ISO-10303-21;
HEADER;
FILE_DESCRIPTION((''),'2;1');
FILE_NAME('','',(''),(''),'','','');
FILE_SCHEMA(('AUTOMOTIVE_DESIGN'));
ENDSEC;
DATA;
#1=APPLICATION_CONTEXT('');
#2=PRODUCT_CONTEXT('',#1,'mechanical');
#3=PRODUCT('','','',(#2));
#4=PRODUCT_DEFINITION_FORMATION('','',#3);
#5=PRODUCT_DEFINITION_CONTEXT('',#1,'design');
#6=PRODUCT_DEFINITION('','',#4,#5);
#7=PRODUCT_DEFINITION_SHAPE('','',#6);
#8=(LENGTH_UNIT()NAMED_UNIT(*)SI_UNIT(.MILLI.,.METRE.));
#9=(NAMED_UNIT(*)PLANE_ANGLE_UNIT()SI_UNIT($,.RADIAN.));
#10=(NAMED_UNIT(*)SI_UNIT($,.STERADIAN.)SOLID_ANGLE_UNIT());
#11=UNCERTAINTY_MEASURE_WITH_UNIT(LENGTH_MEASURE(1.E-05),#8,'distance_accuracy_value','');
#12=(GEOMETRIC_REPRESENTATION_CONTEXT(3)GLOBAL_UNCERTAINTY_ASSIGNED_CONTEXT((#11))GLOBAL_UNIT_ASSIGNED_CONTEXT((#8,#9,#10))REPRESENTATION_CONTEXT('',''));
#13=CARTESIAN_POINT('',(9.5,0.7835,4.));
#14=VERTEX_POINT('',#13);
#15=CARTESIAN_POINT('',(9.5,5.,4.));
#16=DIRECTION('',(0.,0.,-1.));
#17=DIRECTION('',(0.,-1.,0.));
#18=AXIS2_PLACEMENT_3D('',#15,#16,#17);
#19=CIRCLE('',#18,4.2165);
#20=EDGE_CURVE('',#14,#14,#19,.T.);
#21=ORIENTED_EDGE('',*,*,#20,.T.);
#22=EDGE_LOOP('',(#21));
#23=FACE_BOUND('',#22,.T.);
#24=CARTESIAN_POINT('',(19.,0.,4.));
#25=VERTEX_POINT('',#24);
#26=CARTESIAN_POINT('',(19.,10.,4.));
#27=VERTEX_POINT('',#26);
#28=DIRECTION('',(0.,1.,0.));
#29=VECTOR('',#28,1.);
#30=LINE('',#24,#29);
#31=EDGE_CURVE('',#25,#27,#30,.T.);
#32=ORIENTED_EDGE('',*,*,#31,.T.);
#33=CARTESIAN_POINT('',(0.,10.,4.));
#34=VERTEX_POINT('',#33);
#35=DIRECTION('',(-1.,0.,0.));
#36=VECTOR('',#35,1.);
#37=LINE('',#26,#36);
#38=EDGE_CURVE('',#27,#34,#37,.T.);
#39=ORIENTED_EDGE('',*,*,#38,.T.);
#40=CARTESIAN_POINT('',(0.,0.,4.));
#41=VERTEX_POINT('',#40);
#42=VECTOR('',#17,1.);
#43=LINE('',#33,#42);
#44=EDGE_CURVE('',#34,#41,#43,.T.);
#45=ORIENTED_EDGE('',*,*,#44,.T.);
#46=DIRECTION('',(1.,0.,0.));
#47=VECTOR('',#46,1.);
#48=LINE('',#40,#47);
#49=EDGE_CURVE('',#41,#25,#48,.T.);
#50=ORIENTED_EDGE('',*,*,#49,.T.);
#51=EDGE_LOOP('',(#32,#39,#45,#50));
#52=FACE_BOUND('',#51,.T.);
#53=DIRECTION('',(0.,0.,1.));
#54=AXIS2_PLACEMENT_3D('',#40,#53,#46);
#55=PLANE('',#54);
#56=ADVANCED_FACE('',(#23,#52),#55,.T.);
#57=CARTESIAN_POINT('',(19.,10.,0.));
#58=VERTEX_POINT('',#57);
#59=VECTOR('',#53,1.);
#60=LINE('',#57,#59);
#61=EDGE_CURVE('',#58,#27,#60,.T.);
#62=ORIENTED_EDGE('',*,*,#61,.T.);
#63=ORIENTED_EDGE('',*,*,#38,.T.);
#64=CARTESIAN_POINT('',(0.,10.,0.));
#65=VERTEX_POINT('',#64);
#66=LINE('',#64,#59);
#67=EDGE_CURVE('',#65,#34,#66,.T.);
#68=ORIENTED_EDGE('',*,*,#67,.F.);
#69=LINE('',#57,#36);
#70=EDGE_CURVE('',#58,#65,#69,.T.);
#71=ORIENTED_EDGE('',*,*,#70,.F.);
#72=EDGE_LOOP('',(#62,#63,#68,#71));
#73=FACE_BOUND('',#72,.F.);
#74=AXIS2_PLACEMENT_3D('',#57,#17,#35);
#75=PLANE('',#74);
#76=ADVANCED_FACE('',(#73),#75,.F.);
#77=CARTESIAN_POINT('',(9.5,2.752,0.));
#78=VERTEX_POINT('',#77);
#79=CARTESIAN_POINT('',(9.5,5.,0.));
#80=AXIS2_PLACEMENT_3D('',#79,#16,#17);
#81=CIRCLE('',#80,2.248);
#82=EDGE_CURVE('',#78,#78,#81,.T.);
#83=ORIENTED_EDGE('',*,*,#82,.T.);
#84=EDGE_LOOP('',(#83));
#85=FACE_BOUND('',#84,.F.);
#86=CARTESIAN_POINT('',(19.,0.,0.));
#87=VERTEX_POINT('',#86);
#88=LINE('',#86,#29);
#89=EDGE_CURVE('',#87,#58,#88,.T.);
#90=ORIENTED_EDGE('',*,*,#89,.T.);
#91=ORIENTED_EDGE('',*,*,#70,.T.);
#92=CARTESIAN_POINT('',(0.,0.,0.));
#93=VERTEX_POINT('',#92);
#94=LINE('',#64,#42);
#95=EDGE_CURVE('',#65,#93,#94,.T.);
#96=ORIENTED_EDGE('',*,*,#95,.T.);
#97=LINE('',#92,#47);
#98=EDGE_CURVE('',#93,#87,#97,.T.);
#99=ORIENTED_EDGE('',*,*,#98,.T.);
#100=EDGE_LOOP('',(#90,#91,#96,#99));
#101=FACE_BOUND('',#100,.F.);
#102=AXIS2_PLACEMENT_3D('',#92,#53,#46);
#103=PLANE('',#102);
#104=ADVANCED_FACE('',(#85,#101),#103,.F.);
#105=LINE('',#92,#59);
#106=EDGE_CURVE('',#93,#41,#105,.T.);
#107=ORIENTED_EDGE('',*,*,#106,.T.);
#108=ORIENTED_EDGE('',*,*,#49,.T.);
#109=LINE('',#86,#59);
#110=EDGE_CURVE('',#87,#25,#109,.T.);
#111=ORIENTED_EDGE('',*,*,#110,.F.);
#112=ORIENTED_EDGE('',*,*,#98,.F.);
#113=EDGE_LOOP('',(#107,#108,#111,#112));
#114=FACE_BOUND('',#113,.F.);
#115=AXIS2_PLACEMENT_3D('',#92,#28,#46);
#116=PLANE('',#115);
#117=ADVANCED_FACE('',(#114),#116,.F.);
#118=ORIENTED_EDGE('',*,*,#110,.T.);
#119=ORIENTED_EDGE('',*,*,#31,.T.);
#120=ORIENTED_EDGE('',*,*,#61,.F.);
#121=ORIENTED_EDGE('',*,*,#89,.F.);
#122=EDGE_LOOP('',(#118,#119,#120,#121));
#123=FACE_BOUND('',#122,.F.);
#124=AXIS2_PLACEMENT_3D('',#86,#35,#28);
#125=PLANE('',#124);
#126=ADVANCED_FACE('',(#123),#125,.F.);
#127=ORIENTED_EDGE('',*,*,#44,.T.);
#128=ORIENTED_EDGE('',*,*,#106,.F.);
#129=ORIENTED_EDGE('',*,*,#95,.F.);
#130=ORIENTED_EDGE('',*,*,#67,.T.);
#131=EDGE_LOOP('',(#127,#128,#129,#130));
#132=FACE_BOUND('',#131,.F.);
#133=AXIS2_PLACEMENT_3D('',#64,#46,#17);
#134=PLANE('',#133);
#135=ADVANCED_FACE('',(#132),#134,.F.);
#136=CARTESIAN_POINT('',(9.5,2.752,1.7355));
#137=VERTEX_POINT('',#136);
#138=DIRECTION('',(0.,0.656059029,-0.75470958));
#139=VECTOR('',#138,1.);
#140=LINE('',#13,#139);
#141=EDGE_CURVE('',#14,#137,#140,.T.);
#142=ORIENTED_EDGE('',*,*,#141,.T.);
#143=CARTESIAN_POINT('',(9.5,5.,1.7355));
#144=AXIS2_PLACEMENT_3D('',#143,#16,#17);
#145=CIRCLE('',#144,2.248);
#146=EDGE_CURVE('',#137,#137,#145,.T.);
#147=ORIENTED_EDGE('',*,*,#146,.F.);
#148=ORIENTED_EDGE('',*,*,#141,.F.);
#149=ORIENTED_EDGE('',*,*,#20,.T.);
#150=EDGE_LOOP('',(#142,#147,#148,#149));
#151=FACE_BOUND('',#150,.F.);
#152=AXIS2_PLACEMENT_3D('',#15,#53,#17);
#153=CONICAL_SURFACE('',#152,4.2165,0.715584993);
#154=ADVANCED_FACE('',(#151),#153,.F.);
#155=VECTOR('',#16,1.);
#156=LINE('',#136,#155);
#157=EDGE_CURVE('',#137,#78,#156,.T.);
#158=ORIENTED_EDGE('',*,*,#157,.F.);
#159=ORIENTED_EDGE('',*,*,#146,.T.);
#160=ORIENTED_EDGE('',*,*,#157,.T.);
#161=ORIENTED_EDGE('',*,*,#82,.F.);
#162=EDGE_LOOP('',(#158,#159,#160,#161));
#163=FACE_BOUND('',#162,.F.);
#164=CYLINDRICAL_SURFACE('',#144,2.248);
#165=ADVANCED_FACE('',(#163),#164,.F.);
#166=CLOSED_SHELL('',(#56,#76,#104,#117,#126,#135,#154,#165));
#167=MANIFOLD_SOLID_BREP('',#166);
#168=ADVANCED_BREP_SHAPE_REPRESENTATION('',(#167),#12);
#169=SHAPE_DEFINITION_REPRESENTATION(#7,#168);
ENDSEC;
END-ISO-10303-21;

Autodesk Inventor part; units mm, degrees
ref_plane "YZ Plane" through (0, 0, 0) normal (1, 0, 0) x (0, 1, 0)
ref_plane "XZ Plane" through (0, 0, 0) normal (0, 1, 0) x (-1, 0, 0)
ref_plane "XY Plane" through (0, 0, 0) normal (0, 0, 1) x (1, 0, 0)
sketch "Sketch1" plane through (0, 0, 0) normal (0, 0, 1) x (1, 0, 0)
  line L0 (0, 0) -> (19, 0)
  line L1 (19, 0) -> (19, 10)
  line L2 (19, 10) -> (0, 10)
  line L3 (0, 10) -> (0, 0)
  dimension "d0" = 19
  dimension "d1" = 10
extrude "Extrusion1" add sketch "Sketch1" along normal blind 4
sketch "Sketch2" plane through (0, 0, 4) normal (0, 0, 1) x (1, 0, 0)
  line L0 (19, 10) -> (0, 10) projected
  line L1 (0, 10) -> (0, 0) projected
  point P0 (9.5, 5)
  point P1 (9.5, 10)
  point P2 (0, 5)
hole "Hole1" at (9.5, 5, 4) direction (0, 0, -1) diameter 4.496 end through all countersink diameter 8.433 countersink angle 82 clearance for "Flat Head Machine Screw (82)" size "#8" standard "Ansi Unified Screw Threads"
properties part number "Top_Lever Cable Tie" material "Stainless Steel"
